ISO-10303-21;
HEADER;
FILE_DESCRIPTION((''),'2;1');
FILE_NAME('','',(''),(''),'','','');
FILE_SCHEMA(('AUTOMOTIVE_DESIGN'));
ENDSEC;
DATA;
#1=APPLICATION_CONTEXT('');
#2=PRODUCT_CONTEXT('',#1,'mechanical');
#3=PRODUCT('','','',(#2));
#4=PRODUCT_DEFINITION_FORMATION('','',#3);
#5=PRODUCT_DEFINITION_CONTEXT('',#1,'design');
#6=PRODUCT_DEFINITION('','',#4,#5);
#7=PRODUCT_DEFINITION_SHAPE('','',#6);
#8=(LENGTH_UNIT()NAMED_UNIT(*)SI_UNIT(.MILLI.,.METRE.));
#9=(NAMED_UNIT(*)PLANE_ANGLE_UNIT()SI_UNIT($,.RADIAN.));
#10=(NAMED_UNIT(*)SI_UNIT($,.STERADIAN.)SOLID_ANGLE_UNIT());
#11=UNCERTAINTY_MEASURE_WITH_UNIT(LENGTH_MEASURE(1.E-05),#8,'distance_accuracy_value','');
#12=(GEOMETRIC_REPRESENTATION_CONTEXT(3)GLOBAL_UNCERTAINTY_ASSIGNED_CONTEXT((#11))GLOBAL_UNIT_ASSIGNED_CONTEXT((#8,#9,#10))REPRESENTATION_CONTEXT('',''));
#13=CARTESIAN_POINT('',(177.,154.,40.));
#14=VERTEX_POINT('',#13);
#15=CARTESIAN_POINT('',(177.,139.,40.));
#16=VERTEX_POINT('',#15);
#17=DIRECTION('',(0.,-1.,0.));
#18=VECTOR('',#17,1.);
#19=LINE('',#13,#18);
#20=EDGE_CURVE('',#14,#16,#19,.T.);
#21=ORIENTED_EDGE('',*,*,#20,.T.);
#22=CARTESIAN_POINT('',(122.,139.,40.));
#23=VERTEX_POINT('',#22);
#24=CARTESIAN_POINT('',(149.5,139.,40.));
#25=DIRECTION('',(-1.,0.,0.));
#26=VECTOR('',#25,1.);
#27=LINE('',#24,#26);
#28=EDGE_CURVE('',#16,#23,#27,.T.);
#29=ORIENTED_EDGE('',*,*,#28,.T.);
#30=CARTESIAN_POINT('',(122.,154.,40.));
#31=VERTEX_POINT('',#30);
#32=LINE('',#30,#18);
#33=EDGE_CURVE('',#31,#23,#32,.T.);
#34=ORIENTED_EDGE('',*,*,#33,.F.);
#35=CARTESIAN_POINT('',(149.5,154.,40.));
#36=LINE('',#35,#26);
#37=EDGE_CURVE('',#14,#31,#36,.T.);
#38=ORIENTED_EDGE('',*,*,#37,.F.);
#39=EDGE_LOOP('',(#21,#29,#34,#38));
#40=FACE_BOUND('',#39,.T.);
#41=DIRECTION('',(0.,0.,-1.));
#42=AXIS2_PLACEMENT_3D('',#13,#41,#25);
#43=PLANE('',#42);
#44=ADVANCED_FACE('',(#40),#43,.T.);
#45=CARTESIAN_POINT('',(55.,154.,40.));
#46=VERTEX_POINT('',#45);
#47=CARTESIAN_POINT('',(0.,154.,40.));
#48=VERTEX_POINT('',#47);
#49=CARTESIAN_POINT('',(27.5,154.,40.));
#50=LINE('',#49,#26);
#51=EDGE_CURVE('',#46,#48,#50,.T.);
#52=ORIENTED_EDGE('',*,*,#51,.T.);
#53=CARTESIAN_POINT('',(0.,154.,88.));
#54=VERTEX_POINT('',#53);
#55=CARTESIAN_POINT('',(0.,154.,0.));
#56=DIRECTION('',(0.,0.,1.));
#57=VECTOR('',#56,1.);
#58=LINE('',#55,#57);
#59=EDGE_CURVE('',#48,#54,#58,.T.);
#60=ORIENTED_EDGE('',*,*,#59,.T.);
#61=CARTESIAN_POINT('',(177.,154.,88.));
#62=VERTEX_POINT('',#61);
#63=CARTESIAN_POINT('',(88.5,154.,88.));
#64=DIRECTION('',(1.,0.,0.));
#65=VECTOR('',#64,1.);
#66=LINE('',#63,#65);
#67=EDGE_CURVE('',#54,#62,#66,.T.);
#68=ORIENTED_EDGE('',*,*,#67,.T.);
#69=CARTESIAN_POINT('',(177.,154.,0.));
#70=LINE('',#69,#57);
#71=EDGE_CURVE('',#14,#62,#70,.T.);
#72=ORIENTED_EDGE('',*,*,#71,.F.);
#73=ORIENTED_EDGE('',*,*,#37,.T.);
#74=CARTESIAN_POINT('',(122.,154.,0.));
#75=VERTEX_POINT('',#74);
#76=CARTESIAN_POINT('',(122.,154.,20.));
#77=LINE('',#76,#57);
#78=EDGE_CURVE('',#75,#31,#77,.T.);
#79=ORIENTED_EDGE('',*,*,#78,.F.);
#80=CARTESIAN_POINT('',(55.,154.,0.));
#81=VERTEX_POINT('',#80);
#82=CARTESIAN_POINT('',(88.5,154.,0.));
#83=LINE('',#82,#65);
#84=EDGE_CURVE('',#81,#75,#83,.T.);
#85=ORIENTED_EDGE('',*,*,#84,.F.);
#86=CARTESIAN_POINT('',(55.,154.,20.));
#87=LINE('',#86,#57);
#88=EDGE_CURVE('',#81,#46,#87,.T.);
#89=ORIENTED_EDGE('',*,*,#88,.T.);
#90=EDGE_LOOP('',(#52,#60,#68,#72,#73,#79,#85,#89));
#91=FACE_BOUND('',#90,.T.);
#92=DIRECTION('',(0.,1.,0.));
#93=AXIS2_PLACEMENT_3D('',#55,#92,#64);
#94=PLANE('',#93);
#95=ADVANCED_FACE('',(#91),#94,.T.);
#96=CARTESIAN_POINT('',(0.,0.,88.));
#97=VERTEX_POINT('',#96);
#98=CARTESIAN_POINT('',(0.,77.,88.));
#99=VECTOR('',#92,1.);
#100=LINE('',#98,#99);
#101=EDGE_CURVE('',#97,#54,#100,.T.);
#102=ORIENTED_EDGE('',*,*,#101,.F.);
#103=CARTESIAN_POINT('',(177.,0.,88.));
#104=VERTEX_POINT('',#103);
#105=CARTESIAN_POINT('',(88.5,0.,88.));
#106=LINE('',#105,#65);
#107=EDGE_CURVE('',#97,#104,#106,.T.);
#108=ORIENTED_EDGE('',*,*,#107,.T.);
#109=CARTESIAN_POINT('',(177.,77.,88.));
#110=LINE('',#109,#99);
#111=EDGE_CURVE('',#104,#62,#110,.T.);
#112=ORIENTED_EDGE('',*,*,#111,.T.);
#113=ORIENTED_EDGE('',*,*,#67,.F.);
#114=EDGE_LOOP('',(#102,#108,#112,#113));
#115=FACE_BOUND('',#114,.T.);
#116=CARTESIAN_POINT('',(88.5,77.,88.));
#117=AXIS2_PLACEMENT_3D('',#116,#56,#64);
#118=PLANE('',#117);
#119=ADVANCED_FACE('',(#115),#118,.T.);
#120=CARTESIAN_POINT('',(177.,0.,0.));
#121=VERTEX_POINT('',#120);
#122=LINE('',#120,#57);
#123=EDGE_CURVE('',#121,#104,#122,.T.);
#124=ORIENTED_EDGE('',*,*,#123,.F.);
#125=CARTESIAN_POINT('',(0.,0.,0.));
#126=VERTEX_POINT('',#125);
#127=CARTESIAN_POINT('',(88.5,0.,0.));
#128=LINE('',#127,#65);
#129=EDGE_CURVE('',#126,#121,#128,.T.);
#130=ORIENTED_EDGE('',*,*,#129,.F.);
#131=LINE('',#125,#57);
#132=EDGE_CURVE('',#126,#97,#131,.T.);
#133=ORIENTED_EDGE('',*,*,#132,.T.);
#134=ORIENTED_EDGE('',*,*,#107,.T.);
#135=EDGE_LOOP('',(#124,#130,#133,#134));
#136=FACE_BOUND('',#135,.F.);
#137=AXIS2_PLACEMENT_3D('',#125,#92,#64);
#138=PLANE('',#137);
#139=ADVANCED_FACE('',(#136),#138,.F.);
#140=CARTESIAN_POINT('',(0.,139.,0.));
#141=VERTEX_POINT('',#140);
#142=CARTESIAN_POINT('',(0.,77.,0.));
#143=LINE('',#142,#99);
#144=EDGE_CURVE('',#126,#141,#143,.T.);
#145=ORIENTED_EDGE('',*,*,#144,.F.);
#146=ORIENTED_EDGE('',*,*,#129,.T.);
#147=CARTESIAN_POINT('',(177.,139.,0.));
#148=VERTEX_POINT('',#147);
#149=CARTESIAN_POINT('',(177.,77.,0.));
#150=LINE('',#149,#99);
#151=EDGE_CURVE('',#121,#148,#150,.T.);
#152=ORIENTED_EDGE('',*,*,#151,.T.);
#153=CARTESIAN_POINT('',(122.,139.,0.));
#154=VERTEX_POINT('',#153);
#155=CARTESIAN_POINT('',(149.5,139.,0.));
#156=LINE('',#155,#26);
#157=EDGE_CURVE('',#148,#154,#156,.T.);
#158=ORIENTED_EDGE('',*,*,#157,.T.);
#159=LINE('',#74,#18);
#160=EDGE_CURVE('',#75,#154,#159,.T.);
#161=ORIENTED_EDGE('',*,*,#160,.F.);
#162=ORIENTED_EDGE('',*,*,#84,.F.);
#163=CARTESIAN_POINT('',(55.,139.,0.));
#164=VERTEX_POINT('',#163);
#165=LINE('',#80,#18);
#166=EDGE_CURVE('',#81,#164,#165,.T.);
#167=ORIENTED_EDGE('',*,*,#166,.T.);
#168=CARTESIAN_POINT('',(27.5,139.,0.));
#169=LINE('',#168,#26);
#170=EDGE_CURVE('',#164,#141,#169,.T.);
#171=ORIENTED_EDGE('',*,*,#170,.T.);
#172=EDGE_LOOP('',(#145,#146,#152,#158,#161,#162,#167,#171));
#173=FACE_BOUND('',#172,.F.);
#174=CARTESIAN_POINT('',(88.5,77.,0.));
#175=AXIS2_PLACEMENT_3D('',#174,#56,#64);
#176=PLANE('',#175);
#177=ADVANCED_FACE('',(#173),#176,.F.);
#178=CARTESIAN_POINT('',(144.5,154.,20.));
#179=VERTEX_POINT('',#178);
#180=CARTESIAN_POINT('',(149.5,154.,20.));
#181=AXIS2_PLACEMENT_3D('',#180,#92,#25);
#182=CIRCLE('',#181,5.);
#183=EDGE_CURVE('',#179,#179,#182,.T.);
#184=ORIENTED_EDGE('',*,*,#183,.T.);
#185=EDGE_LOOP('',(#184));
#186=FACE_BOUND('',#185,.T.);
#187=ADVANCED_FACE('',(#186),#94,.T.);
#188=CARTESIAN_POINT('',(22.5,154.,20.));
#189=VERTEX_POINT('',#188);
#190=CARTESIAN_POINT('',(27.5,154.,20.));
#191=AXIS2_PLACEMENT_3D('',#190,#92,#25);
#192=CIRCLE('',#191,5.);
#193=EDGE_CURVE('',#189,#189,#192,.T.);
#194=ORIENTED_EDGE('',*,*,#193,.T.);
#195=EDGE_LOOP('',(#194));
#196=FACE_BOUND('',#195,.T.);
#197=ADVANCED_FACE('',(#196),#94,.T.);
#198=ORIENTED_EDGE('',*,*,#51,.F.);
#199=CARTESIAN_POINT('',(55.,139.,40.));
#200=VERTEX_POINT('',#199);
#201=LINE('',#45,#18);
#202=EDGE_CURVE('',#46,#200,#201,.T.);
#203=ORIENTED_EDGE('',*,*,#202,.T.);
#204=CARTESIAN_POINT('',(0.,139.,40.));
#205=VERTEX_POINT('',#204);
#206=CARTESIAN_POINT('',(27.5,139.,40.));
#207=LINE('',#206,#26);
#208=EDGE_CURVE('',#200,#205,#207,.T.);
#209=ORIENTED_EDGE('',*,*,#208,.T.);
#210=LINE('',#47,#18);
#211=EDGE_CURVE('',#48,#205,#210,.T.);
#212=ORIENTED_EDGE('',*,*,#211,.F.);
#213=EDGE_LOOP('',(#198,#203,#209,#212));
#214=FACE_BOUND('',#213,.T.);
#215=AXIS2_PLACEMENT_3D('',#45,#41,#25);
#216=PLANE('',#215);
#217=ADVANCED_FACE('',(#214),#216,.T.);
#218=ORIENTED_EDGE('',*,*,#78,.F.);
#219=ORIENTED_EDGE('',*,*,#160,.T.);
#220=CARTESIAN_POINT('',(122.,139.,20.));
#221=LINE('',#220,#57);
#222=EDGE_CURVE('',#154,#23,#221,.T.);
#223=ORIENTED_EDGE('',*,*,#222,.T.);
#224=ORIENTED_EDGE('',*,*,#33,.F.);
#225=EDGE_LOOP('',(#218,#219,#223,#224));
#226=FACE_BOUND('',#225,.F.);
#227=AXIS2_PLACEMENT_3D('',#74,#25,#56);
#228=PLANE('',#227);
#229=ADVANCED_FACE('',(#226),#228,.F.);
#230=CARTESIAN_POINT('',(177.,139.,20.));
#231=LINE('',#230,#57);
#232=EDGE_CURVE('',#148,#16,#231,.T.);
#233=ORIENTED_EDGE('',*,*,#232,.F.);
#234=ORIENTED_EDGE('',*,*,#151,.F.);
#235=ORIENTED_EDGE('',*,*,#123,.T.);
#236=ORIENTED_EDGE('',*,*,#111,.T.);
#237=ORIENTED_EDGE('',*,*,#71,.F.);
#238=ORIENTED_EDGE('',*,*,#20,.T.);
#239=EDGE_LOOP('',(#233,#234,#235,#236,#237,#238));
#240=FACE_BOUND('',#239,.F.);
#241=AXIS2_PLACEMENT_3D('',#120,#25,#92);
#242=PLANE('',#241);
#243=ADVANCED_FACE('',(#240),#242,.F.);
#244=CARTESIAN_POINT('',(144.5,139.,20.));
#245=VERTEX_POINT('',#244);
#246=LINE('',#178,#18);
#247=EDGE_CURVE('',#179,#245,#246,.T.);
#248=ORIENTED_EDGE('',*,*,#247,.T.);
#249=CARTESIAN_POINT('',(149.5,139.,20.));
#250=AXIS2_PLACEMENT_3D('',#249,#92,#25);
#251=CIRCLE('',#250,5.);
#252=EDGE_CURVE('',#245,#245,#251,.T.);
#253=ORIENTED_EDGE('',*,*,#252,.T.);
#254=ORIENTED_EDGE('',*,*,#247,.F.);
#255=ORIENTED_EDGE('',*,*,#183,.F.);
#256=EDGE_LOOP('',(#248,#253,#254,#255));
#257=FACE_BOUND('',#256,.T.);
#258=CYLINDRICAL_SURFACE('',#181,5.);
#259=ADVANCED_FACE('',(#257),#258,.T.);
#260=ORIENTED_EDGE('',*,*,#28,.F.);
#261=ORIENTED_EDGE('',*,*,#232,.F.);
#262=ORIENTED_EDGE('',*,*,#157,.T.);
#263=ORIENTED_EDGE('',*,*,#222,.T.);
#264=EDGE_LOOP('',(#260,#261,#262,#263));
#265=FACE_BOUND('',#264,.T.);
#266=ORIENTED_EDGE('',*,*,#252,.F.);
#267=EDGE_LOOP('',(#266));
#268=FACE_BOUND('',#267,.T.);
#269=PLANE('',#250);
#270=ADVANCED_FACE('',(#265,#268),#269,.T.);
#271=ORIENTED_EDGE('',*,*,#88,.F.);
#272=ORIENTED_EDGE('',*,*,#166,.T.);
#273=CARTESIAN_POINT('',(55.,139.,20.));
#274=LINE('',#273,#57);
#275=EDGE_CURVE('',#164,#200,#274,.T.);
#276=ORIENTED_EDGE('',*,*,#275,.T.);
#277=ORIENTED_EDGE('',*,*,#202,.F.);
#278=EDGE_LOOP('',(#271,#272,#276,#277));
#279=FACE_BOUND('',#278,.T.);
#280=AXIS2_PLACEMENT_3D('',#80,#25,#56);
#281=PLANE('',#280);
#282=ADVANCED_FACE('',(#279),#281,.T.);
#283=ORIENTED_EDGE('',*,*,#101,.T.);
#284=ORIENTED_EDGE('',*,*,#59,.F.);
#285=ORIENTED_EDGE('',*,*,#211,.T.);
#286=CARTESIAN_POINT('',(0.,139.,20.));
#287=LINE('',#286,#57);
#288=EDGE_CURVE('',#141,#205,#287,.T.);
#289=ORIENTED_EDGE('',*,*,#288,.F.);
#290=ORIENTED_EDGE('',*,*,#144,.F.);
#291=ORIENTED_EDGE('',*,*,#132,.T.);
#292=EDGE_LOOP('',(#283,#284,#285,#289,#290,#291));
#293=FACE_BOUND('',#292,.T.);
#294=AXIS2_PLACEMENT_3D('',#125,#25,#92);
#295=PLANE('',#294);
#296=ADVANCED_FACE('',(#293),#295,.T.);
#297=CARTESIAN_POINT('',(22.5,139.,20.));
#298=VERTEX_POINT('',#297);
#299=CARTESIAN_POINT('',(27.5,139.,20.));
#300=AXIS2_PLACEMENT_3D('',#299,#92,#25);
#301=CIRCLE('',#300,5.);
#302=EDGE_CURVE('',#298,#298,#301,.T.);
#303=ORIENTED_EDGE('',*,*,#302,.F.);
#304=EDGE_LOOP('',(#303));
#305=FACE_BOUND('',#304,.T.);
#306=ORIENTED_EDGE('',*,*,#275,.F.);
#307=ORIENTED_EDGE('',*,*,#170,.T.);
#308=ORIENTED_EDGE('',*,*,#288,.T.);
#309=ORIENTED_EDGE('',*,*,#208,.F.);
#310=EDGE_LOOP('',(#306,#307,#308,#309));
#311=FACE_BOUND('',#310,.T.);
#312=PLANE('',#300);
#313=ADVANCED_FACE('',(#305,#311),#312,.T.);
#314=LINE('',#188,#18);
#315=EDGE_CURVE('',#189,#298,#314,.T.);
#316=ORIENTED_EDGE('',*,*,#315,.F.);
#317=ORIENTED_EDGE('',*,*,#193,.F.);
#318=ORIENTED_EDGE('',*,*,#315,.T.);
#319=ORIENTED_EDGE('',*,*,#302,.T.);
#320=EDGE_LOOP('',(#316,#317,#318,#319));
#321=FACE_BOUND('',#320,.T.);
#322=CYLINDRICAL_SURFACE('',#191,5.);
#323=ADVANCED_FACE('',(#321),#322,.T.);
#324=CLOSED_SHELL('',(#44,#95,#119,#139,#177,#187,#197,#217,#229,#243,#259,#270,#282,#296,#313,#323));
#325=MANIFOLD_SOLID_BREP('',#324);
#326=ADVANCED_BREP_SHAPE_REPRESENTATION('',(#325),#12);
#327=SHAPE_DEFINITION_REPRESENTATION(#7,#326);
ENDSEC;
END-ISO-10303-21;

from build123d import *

# Parameters (mm, degrees)
F0_W     = 177
F0_H     = 154
F1_DEPTH = 88
F2_W     = 55
F2_H     = 40
F2_R     = 5
F3_DEPTH = 15


with BuildPart() as f1:
    # F0 (on Top) → F1 (new body)
    with BuildSketch(Plane.XY):
        with Locations((88.5, 77)):
            Rectangle(F0_W, F0_H)
    extrude(amount=F1_DEPTH)

    # F2 (on face) → F3 (cut)
    with BuildSketch(Plane(origin=(0, 154, 0), x_dir=(-1, 0, 0), z_dir=(0, 1, 0))):
        with Locations((-149.5, 20)):
            Rectangle(F2_W, F2_H)
        with Locations((-149.5, 20)):
            Circle(F2_R, mode=Mode.SUBTRACT)
        with Locations((-27.5, 20)):
            Rectangle(F2_W, F2_H)
        with Locations((-27.5, 20)):
            Circle(F2_R, mode=Mode.SUBTRACT)
    extrude(amount=-F3_DEPTH, mode=Mode.SUBTRACT)


solid = f1.part
